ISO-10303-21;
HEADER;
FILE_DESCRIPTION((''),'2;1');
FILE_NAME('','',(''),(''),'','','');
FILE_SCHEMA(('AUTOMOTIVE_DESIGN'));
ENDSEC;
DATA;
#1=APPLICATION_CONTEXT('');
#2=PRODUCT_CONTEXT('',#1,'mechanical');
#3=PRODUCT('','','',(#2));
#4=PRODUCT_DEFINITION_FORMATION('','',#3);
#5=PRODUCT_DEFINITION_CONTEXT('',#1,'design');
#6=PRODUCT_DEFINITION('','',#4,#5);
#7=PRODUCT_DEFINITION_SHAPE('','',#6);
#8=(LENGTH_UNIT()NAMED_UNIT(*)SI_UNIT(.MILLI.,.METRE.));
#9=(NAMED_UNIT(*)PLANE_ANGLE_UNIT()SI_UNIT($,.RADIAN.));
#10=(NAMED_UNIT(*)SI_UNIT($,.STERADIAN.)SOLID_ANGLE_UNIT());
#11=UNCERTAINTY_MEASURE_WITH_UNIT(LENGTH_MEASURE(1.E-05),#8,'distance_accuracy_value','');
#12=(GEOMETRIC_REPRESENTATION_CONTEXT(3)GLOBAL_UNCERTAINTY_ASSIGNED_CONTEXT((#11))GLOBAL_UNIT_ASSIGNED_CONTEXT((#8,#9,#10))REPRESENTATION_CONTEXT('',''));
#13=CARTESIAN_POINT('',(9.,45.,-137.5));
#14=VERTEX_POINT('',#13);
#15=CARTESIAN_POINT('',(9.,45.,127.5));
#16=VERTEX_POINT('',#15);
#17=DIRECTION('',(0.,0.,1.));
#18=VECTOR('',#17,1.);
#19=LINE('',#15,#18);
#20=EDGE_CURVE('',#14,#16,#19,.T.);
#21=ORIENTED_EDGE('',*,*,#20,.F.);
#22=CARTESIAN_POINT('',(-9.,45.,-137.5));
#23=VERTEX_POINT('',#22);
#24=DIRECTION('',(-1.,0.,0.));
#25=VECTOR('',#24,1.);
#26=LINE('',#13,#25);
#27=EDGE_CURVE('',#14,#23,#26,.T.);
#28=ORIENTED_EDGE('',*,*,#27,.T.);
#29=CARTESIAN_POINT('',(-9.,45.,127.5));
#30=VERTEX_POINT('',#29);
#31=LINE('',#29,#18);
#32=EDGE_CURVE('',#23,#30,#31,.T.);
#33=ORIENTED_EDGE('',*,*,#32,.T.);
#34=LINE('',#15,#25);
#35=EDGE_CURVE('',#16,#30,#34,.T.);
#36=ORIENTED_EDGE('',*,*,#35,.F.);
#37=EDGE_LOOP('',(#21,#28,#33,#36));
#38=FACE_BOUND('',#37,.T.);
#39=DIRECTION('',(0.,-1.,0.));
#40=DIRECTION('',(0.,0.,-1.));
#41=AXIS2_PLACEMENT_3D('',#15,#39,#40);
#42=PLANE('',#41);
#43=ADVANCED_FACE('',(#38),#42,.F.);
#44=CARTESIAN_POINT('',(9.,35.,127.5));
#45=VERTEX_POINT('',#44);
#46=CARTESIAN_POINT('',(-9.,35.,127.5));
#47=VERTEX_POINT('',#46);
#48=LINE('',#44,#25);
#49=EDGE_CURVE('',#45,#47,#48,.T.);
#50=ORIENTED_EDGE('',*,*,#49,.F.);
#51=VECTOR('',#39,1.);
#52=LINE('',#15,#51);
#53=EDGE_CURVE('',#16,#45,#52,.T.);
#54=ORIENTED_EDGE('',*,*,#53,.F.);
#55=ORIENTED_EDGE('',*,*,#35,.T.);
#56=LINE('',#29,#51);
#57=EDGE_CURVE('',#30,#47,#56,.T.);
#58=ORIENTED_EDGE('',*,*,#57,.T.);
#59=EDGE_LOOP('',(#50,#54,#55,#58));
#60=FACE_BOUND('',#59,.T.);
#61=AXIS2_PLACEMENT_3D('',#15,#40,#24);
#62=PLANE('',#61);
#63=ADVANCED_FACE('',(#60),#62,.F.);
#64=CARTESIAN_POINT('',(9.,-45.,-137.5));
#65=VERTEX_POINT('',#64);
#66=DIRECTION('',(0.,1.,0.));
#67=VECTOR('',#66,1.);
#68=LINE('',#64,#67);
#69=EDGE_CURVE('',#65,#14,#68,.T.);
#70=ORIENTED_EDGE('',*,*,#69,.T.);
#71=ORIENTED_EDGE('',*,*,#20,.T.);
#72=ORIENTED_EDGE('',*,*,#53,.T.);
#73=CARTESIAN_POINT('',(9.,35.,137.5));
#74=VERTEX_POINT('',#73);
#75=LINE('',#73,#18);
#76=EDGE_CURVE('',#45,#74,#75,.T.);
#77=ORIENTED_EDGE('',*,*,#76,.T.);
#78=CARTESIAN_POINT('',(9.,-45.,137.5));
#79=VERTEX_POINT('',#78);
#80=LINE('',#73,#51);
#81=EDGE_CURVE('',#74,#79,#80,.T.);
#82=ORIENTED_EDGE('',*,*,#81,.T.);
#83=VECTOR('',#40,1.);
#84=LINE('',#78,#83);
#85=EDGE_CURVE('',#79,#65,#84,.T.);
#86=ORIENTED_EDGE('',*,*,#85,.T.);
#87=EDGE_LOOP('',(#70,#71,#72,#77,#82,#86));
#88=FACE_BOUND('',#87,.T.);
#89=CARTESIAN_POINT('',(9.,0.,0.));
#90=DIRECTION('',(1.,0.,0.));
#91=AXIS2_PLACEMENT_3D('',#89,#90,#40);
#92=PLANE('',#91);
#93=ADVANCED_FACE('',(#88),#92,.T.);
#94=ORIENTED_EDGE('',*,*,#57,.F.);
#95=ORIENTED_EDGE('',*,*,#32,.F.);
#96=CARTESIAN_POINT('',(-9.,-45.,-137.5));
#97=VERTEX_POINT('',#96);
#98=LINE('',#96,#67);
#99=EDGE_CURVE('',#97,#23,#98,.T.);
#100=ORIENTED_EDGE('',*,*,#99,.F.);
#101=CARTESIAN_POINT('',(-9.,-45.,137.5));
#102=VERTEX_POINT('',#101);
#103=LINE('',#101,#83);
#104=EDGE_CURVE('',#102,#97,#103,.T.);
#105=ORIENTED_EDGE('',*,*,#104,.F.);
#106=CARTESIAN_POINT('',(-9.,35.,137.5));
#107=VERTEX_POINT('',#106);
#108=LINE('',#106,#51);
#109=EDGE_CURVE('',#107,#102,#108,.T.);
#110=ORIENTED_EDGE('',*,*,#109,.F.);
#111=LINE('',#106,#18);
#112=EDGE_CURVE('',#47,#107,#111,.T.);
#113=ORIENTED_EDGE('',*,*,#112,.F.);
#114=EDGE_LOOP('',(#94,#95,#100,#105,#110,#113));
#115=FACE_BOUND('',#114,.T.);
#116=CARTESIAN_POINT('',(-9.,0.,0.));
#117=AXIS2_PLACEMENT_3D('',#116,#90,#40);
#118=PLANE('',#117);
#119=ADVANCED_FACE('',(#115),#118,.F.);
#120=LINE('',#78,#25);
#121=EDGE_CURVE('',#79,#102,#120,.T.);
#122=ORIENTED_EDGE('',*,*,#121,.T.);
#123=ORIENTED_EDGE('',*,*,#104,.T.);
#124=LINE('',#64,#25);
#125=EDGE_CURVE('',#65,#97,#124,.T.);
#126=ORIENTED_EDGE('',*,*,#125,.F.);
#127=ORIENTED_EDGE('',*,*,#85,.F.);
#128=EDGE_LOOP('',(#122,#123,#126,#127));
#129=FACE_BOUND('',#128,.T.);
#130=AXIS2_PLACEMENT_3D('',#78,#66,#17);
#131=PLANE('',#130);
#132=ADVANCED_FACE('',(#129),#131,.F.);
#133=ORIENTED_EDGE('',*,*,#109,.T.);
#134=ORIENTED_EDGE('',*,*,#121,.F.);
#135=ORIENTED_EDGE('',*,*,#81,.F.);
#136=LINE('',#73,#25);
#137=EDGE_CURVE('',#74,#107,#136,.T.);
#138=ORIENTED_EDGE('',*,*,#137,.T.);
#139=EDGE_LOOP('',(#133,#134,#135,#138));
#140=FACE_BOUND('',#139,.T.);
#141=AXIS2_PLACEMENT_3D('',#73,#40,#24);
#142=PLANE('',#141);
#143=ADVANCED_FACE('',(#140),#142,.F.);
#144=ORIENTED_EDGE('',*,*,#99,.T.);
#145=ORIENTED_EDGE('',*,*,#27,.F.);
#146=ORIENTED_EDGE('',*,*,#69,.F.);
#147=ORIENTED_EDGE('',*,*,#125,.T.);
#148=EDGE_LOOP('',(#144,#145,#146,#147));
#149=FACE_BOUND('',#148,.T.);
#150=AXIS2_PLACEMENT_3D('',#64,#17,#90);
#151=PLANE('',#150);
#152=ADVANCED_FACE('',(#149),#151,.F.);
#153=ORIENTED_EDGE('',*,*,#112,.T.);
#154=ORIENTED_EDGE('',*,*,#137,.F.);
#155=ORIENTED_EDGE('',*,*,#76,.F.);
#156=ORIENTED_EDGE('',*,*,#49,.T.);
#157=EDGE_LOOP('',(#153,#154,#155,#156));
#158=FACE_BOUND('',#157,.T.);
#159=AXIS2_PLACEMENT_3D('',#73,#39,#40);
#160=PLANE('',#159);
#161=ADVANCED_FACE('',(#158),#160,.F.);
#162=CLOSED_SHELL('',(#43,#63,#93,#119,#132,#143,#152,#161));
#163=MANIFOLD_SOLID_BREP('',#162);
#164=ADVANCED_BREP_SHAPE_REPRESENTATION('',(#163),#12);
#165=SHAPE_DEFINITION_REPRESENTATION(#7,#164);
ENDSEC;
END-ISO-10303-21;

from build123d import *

# Parameters (mm, degrees)
BOSS_EXTRUDE1_DEPTH = 9


with BuildPart() as part:
    # Sketch1 → Boss-Extrude1 (new, symmetric)
    with BuildSketch(Plane(origin=(0, 0, 0), x_dir=(0, 0, -1), z_dir=(1, 0, 0))):
        Polygon((-137.5, 35), (-137.5, -45), (137.5, -45), (137.5, 45), (-127.5, 45), (-127.5, 35), align=None)
    extrude(amount=BOSS_EXTRUDE1_DEPTH, both=True)


solid = part.part
